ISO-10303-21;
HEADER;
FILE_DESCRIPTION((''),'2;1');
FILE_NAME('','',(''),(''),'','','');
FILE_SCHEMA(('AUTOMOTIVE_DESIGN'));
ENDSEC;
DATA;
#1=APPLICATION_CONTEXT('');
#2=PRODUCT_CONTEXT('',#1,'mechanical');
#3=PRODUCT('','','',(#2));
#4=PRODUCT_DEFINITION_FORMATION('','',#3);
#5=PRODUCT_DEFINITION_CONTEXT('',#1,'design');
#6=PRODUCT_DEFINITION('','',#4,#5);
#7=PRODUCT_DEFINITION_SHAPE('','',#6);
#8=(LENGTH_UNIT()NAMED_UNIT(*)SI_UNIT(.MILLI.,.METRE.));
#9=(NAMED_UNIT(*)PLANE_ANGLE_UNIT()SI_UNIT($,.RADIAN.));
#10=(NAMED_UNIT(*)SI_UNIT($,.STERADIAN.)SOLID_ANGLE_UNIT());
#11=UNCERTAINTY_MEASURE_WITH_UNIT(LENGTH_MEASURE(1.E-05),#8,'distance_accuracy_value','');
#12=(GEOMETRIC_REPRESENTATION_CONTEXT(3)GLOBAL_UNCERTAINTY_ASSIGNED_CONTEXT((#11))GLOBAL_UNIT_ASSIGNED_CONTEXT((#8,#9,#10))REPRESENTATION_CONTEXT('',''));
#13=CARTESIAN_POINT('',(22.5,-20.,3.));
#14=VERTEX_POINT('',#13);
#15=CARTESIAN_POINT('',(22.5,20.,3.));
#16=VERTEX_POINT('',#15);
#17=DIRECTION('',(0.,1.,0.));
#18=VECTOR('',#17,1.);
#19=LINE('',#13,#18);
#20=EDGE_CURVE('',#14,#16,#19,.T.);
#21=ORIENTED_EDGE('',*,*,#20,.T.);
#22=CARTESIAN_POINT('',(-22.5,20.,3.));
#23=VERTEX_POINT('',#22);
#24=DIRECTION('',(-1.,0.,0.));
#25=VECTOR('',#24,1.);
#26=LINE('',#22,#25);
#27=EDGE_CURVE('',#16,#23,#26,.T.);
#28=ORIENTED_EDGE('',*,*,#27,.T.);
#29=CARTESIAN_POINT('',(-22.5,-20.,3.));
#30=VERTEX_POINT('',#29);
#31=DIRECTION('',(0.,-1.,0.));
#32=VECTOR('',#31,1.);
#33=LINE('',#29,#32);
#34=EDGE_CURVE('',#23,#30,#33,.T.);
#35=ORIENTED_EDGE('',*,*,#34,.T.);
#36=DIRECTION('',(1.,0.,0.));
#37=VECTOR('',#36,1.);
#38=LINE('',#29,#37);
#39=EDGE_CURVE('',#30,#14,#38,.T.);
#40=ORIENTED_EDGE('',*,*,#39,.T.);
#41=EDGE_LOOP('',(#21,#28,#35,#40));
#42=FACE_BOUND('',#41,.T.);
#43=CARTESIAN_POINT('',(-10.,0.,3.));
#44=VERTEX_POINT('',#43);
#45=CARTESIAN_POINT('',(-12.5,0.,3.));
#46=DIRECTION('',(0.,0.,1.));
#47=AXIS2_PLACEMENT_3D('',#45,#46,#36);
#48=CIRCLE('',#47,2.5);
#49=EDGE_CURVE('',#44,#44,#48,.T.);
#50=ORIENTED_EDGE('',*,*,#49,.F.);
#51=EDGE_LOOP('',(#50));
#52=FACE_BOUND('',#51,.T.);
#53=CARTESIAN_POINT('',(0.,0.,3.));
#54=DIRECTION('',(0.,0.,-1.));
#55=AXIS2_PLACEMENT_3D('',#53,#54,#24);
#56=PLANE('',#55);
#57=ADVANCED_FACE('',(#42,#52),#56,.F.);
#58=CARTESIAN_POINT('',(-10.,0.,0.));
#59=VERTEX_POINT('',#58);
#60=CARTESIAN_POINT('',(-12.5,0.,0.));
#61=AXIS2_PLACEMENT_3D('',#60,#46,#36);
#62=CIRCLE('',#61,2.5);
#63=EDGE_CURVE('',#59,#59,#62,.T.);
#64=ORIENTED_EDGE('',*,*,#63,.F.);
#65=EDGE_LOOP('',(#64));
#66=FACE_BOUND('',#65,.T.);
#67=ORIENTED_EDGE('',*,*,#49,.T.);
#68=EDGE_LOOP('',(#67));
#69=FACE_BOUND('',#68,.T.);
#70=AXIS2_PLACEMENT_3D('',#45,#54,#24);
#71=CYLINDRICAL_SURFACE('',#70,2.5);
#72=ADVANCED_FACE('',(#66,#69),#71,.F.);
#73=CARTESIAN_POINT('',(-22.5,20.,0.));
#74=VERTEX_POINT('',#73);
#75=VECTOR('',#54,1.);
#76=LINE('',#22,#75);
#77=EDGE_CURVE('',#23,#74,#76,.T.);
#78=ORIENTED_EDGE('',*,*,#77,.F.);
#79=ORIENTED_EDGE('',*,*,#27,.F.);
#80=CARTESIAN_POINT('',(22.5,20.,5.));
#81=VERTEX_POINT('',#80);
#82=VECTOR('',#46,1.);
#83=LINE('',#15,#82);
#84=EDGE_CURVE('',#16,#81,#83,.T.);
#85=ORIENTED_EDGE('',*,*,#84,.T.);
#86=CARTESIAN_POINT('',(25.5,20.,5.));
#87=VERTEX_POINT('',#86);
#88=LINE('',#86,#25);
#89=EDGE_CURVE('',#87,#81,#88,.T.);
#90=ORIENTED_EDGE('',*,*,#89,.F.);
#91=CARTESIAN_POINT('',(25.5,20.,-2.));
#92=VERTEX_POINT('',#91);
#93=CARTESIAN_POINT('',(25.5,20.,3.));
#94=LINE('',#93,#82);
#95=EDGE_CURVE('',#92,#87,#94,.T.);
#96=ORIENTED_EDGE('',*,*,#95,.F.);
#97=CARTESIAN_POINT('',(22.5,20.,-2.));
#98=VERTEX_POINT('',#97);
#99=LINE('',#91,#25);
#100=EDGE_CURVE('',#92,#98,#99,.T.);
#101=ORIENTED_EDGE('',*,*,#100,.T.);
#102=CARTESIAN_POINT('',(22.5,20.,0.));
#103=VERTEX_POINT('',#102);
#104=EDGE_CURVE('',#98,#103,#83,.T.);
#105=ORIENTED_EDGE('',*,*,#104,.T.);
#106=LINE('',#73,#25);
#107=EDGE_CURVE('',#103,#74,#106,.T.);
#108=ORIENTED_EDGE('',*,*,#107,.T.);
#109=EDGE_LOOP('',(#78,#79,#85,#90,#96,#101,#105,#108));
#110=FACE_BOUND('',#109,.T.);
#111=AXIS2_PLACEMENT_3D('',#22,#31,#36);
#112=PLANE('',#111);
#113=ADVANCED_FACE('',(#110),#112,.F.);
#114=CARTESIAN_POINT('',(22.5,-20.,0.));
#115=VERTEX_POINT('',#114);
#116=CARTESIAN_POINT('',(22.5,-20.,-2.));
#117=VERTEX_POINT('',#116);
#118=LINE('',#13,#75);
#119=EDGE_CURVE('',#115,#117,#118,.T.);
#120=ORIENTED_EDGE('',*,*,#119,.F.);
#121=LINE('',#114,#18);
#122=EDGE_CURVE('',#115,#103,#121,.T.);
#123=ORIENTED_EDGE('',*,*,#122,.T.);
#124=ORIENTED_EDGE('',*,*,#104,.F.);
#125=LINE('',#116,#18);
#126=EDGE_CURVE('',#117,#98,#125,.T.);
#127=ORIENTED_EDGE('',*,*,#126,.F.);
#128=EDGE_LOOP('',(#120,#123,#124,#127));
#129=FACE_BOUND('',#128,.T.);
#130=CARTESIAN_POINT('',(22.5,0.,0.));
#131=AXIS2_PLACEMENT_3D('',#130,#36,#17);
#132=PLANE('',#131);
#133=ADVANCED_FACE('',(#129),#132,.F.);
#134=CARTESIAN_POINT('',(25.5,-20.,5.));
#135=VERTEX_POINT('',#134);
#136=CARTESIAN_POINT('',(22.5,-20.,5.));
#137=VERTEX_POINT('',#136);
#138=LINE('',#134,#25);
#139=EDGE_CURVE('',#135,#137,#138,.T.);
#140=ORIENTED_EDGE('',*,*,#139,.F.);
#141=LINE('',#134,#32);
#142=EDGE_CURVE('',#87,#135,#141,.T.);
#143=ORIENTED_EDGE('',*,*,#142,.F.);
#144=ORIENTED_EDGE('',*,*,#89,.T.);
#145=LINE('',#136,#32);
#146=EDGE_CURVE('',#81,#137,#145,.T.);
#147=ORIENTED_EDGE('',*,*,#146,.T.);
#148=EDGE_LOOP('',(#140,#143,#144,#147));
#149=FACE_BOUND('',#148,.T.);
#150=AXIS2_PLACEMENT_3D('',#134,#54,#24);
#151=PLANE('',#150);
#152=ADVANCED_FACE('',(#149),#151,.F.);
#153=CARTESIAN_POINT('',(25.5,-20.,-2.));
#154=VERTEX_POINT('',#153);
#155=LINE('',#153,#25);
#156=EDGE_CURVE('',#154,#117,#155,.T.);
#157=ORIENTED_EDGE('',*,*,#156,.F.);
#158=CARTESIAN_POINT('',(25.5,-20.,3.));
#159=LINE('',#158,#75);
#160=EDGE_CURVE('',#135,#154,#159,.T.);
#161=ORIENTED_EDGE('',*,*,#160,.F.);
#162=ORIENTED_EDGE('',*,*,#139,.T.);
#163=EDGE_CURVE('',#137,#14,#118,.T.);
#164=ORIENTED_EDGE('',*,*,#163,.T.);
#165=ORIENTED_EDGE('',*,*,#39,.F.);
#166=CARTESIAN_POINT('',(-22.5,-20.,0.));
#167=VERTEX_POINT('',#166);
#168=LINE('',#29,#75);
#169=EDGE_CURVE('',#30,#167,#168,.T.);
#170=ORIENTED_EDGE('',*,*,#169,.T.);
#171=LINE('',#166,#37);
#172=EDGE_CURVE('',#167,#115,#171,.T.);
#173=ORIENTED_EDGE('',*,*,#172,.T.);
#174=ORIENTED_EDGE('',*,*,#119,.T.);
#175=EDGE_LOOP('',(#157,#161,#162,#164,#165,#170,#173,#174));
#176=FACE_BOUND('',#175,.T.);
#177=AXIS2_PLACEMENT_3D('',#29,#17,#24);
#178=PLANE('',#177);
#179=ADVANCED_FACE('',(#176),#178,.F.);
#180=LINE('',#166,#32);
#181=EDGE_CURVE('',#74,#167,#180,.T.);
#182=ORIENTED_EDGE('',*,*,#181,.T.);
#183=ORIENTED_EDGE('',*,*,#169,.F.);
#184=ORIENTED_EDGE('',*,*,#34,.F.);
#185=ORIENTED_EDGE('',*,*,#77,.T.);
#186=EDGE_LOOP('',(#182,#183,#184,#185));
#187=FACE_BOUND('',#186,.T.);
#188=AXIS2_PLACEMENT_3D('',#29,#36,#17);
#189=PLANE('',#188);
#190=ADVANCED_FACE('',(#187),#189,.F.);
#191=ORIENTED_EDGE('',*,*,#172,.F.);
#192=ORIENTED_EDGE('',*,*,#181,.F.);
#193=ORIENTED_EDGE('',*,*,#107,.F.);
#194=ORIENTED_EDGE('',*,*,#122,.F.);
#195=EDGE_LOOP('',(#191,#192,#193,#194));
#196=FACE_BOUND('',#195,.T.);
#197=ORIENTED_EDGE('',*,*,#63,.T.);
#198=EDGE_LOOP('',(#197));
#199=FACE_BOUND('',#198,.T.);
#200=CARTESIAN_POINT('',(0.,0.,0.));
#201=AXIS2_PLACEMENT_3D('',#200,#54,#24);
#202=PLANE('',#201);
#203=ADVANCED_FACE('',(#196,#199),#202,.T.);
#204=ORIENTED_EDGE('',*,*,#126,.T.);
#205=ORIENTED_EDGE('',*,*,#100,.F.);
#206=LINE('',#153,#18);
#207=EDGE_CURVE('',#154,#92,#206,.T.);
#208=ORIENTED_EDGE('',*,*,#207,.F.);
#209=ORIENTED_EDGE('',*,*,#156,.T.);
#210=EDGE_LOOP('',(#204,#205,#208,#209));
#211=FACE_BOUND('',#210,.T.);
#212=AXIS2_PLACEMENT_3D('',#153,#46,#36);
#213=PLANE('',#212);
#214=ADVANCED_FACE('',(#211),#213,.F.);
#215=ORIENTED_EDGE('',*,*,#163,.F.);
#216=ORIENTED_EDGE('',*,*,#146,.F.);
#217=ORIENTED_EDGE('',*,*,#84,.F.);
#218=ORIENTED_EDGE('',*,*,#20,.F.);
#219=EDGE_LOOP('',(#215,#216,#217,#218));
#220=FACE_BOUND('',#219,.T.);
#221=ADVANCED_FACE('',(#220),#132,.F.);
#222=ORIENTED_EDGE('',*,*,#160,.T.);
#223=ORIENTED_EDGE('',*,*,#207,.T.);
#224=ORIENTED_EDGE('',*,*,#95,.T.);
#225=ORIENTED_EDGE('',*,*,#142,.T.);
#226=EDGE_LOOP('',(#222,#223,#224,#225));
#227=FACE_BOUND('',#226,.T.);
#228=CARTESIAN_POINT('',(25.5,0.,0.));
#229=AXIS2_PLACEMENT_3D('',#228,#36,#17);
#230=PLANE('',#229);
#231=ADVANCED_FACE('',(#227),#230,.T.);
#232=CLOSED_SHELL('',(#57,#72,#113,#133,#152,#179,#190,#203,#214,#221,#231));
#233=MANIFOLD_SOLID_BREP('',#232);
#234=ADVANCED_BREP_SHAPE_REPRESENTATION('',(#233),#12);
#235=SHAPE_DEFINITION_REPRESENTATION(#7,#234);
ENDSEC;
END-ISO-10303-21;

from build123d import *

# Parameters (mm, degrees)
SKETCH_1_W      = 45
SKETCH_1_H      = 40
SKETCH_1_R      = 2.5
EXTRUDE_1_DEPTH = 3
EXTRUDE_START   = 22.5
SKETCH_2_W      = 7
SKETCH_2_H      = 40
EXTRUDE_2_DEPTH = 3


with BuildPart() as part:
    # 草圖1 → 填料-伸長1 (new body)
    with BuildSketch(Plane.XY):
        Rectangle(SKETCH_1_W, SKETCH_1_H)
        with Locations((-12.5, 0)):
            Circle(SKETCH_1_R, mode=Mode.SUBTRACT)
    extrude(amount=EXTRUDE_1_DEPTH)

    # 草圖2 → 填料-伸長2 (add)
    with BuildSketch(Plane(origin=(0, 0, 0), x_dir=(0, 0, -1), z_dir=(1, 0, 0)).offset(EXTRUDE_START)):
        with Locations((-1.5, 0)):
            Rectangle(SKETCH_2_W, SKETCH_2_H)
    extrude(amount=EXTRUDE_2_DEPTH)


solid = part.part
